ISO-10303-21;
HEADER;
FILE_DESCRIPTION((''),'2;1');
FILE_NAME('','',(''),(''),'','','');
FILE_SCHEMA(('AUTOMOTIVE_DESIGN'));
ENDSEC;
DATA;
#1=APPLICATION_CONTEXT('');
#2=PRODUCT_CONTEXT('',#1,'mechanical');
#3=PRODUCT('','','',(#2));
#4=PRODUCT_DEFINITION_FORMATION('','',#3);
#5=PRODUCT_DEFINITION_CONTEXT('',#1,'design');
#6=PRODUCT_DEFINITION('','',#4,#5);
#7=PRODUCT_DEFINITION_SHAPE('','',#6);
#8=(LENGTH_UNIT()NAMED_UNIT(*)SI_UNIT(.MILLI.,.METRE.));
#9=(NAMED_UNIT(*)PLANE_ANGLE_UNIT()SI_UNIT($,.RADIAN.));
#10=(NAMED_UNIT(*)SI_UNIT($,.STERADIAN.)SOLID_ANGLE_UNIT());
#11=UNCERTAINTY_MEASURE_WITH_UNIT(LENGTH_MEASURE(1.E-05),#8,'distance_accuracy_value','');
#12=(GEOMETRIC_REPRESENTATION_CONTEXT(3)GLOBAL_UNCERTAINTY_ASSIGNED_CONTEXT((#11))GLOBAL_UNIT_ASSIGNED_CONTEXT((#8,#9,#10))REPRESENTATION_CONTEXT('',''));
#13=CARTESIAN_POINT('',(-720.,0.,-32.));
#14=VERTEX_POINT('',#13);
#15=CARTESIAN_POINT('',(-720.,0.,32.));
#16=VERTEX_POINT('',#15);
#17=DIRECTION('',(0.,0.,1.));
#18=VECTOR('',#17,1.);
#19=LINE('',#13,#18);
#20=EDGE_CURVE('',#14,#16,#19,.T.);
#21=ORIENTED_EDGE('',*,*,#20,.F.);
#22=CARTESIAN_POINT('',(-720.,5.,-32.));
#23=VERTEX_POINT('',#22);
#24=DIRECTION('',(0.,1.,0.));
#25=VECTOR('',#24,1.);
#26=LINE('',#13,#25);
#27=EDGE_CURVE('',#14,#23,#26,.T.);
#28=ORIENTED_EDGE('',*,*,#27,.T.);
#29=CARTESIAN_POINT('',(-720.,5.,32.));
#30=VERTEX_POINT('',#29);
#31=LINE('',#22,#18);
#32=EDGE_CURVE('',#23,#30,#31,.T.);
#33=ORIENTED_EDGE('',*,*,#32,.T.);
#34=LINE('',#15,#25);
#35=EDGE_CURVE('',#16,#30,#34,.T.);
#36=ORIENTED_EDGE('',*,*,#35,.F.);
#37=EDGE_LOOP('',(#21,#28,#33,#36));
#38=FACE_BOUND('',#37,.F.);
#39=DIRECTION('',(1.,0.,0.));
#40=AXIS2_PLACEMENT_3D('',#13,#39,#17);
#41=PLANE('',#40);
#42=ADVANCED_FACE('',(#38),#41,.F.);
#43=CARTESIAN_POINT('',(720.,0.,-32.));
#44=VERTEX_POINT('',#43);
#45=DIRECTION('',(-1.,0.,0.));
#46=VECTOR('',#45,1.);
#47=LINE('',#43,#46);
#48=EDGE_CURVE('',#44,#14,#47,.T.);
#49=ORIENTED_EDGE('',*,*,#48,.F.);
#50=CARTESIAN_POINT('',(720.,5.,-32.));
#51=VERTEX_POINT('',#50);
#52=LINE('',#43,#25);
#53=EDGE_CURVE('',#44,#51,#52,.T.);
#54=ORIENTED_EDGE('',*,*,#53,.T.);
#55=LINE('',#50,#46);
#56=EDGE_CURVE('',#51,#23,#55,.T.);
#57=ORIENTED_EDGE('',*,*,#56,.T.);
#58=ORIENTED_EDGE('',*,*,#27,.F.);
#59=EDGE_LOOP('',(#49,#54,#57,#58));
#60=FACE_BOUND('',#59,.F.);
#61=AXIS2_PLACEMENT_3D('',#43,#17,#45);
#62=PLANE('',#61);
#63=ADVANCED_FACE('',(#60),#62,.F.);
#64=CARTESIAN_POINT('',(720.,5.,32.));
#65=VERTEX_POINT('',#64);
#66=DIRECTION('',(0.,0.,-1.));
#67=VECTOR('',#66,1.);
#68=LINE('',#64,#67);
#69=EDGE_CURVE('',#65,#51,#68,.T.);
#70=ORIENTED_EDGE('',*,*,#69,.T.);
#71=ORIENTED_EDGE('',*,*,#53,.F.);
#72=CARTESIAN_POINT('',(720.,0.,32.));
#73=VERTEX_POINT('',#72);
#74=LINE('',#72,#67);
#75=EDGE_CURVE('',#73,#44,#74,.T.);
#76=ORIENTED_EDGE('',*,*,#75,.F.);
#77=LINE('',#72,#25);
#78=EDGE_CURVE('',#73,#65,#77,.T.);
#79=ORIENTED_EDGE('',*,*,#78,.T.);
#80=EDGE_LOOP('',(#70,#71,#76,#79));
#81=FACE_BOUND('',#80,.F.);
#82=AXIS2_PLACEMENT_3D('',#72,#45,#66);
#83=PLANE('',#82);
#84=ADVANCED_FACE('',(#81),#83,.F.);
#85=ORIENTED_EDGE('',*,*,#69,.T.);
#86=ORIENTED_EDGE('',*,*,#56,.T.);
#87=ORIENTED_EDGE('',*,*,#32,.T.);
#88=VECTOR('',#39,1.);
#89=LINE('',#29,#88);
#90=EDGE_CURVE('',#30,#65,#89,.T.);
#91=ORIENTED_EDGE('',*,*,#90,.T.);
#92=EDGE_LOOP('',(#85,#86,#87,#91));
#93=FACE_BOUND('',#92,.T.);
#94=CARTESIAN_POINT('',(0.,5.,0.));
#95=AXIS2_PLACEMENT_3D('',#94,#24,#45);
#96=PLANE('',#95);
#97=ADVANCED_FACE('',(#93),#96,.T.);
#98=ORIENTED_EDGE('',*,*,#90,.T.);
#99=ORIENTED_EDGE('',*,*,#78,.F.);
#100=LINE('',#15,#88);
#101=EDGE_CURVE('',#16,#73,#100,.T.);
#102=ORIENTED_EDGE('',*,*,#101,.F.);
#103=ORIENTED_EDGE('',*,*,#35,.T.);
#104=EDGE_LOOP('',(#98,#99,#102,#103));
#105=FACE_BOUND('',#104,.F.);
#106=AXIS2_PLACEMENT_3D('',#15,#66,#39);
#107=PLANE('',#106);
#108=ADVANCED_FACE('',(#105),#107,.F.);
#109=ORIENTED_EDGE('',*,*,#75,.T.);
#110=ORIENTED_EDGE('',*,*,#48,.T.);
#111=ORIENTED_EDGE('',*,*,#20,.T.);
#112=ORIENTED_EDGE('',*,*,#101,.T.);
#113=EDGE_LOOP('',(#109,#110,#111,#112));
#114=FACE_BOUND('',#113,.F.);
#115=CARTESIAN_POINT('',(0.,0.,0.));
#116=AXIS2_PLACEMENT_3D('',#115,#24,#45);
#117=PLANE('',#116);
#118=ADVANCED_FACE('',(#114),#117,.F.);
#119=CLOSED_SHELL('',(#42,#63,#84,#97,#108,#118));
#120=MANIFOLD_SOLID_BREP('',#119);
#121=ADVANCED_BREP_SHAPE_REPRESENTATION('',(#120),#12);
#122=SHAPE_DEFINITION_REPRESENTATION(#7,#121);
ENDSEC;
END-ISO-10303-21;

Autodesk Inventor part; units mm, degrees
ref_plane "YZ Plane" through (0, 0, 0) normal (1, 0, 0) x (0, 1, 0)
ref_plane "XZ Plane" through (0, 0, 0) normal (0, 1, 0) x (-1, 0, 0)
ref_plane "XY Plane" through (0, 0, 0) normal (0, 0, 1) x (1, 0, 0)
sketch "Эскиз1" plane through (0, 0, 0) normal (0, 1, 0) x (-1, 0, 0)
  line L0 (720, 32) -> (-720, 32)
  line L1 (-720, 32) -> (-720, -32)
  line L2 (-720, -32) -> (720, -32)
  line L3 (720, -32) -> (720, 32)
  line L4 (720, 32) -> (-720, -32) construction
  line L5 (-720, 32) -> (720, -32) construction
  point P0 (0, 0)
  dimension "d0" = 1440
  dimension "d1" = 64
extrude "Пластина1" add sketch "Эскиз1" along normal blind 5
equation "\"d2\" = Толщина"
equation "\"Радиус_гибки\" = Толщина"
equation "\"Ширина_просечки\" = Толщина"
equation "\"Глубина_просечки\" = 0.5 * Толщина"
equation "\"Радиус_перехода\" = Радиус_гибки"
equation "\"Радиус_Якоби\" = Радиус_гибки"
equation "\"Размер_зазора\" = Толщина"
equation "\"Толщина\" = 5"
properties part number "0932_CPY" material "Steel"
